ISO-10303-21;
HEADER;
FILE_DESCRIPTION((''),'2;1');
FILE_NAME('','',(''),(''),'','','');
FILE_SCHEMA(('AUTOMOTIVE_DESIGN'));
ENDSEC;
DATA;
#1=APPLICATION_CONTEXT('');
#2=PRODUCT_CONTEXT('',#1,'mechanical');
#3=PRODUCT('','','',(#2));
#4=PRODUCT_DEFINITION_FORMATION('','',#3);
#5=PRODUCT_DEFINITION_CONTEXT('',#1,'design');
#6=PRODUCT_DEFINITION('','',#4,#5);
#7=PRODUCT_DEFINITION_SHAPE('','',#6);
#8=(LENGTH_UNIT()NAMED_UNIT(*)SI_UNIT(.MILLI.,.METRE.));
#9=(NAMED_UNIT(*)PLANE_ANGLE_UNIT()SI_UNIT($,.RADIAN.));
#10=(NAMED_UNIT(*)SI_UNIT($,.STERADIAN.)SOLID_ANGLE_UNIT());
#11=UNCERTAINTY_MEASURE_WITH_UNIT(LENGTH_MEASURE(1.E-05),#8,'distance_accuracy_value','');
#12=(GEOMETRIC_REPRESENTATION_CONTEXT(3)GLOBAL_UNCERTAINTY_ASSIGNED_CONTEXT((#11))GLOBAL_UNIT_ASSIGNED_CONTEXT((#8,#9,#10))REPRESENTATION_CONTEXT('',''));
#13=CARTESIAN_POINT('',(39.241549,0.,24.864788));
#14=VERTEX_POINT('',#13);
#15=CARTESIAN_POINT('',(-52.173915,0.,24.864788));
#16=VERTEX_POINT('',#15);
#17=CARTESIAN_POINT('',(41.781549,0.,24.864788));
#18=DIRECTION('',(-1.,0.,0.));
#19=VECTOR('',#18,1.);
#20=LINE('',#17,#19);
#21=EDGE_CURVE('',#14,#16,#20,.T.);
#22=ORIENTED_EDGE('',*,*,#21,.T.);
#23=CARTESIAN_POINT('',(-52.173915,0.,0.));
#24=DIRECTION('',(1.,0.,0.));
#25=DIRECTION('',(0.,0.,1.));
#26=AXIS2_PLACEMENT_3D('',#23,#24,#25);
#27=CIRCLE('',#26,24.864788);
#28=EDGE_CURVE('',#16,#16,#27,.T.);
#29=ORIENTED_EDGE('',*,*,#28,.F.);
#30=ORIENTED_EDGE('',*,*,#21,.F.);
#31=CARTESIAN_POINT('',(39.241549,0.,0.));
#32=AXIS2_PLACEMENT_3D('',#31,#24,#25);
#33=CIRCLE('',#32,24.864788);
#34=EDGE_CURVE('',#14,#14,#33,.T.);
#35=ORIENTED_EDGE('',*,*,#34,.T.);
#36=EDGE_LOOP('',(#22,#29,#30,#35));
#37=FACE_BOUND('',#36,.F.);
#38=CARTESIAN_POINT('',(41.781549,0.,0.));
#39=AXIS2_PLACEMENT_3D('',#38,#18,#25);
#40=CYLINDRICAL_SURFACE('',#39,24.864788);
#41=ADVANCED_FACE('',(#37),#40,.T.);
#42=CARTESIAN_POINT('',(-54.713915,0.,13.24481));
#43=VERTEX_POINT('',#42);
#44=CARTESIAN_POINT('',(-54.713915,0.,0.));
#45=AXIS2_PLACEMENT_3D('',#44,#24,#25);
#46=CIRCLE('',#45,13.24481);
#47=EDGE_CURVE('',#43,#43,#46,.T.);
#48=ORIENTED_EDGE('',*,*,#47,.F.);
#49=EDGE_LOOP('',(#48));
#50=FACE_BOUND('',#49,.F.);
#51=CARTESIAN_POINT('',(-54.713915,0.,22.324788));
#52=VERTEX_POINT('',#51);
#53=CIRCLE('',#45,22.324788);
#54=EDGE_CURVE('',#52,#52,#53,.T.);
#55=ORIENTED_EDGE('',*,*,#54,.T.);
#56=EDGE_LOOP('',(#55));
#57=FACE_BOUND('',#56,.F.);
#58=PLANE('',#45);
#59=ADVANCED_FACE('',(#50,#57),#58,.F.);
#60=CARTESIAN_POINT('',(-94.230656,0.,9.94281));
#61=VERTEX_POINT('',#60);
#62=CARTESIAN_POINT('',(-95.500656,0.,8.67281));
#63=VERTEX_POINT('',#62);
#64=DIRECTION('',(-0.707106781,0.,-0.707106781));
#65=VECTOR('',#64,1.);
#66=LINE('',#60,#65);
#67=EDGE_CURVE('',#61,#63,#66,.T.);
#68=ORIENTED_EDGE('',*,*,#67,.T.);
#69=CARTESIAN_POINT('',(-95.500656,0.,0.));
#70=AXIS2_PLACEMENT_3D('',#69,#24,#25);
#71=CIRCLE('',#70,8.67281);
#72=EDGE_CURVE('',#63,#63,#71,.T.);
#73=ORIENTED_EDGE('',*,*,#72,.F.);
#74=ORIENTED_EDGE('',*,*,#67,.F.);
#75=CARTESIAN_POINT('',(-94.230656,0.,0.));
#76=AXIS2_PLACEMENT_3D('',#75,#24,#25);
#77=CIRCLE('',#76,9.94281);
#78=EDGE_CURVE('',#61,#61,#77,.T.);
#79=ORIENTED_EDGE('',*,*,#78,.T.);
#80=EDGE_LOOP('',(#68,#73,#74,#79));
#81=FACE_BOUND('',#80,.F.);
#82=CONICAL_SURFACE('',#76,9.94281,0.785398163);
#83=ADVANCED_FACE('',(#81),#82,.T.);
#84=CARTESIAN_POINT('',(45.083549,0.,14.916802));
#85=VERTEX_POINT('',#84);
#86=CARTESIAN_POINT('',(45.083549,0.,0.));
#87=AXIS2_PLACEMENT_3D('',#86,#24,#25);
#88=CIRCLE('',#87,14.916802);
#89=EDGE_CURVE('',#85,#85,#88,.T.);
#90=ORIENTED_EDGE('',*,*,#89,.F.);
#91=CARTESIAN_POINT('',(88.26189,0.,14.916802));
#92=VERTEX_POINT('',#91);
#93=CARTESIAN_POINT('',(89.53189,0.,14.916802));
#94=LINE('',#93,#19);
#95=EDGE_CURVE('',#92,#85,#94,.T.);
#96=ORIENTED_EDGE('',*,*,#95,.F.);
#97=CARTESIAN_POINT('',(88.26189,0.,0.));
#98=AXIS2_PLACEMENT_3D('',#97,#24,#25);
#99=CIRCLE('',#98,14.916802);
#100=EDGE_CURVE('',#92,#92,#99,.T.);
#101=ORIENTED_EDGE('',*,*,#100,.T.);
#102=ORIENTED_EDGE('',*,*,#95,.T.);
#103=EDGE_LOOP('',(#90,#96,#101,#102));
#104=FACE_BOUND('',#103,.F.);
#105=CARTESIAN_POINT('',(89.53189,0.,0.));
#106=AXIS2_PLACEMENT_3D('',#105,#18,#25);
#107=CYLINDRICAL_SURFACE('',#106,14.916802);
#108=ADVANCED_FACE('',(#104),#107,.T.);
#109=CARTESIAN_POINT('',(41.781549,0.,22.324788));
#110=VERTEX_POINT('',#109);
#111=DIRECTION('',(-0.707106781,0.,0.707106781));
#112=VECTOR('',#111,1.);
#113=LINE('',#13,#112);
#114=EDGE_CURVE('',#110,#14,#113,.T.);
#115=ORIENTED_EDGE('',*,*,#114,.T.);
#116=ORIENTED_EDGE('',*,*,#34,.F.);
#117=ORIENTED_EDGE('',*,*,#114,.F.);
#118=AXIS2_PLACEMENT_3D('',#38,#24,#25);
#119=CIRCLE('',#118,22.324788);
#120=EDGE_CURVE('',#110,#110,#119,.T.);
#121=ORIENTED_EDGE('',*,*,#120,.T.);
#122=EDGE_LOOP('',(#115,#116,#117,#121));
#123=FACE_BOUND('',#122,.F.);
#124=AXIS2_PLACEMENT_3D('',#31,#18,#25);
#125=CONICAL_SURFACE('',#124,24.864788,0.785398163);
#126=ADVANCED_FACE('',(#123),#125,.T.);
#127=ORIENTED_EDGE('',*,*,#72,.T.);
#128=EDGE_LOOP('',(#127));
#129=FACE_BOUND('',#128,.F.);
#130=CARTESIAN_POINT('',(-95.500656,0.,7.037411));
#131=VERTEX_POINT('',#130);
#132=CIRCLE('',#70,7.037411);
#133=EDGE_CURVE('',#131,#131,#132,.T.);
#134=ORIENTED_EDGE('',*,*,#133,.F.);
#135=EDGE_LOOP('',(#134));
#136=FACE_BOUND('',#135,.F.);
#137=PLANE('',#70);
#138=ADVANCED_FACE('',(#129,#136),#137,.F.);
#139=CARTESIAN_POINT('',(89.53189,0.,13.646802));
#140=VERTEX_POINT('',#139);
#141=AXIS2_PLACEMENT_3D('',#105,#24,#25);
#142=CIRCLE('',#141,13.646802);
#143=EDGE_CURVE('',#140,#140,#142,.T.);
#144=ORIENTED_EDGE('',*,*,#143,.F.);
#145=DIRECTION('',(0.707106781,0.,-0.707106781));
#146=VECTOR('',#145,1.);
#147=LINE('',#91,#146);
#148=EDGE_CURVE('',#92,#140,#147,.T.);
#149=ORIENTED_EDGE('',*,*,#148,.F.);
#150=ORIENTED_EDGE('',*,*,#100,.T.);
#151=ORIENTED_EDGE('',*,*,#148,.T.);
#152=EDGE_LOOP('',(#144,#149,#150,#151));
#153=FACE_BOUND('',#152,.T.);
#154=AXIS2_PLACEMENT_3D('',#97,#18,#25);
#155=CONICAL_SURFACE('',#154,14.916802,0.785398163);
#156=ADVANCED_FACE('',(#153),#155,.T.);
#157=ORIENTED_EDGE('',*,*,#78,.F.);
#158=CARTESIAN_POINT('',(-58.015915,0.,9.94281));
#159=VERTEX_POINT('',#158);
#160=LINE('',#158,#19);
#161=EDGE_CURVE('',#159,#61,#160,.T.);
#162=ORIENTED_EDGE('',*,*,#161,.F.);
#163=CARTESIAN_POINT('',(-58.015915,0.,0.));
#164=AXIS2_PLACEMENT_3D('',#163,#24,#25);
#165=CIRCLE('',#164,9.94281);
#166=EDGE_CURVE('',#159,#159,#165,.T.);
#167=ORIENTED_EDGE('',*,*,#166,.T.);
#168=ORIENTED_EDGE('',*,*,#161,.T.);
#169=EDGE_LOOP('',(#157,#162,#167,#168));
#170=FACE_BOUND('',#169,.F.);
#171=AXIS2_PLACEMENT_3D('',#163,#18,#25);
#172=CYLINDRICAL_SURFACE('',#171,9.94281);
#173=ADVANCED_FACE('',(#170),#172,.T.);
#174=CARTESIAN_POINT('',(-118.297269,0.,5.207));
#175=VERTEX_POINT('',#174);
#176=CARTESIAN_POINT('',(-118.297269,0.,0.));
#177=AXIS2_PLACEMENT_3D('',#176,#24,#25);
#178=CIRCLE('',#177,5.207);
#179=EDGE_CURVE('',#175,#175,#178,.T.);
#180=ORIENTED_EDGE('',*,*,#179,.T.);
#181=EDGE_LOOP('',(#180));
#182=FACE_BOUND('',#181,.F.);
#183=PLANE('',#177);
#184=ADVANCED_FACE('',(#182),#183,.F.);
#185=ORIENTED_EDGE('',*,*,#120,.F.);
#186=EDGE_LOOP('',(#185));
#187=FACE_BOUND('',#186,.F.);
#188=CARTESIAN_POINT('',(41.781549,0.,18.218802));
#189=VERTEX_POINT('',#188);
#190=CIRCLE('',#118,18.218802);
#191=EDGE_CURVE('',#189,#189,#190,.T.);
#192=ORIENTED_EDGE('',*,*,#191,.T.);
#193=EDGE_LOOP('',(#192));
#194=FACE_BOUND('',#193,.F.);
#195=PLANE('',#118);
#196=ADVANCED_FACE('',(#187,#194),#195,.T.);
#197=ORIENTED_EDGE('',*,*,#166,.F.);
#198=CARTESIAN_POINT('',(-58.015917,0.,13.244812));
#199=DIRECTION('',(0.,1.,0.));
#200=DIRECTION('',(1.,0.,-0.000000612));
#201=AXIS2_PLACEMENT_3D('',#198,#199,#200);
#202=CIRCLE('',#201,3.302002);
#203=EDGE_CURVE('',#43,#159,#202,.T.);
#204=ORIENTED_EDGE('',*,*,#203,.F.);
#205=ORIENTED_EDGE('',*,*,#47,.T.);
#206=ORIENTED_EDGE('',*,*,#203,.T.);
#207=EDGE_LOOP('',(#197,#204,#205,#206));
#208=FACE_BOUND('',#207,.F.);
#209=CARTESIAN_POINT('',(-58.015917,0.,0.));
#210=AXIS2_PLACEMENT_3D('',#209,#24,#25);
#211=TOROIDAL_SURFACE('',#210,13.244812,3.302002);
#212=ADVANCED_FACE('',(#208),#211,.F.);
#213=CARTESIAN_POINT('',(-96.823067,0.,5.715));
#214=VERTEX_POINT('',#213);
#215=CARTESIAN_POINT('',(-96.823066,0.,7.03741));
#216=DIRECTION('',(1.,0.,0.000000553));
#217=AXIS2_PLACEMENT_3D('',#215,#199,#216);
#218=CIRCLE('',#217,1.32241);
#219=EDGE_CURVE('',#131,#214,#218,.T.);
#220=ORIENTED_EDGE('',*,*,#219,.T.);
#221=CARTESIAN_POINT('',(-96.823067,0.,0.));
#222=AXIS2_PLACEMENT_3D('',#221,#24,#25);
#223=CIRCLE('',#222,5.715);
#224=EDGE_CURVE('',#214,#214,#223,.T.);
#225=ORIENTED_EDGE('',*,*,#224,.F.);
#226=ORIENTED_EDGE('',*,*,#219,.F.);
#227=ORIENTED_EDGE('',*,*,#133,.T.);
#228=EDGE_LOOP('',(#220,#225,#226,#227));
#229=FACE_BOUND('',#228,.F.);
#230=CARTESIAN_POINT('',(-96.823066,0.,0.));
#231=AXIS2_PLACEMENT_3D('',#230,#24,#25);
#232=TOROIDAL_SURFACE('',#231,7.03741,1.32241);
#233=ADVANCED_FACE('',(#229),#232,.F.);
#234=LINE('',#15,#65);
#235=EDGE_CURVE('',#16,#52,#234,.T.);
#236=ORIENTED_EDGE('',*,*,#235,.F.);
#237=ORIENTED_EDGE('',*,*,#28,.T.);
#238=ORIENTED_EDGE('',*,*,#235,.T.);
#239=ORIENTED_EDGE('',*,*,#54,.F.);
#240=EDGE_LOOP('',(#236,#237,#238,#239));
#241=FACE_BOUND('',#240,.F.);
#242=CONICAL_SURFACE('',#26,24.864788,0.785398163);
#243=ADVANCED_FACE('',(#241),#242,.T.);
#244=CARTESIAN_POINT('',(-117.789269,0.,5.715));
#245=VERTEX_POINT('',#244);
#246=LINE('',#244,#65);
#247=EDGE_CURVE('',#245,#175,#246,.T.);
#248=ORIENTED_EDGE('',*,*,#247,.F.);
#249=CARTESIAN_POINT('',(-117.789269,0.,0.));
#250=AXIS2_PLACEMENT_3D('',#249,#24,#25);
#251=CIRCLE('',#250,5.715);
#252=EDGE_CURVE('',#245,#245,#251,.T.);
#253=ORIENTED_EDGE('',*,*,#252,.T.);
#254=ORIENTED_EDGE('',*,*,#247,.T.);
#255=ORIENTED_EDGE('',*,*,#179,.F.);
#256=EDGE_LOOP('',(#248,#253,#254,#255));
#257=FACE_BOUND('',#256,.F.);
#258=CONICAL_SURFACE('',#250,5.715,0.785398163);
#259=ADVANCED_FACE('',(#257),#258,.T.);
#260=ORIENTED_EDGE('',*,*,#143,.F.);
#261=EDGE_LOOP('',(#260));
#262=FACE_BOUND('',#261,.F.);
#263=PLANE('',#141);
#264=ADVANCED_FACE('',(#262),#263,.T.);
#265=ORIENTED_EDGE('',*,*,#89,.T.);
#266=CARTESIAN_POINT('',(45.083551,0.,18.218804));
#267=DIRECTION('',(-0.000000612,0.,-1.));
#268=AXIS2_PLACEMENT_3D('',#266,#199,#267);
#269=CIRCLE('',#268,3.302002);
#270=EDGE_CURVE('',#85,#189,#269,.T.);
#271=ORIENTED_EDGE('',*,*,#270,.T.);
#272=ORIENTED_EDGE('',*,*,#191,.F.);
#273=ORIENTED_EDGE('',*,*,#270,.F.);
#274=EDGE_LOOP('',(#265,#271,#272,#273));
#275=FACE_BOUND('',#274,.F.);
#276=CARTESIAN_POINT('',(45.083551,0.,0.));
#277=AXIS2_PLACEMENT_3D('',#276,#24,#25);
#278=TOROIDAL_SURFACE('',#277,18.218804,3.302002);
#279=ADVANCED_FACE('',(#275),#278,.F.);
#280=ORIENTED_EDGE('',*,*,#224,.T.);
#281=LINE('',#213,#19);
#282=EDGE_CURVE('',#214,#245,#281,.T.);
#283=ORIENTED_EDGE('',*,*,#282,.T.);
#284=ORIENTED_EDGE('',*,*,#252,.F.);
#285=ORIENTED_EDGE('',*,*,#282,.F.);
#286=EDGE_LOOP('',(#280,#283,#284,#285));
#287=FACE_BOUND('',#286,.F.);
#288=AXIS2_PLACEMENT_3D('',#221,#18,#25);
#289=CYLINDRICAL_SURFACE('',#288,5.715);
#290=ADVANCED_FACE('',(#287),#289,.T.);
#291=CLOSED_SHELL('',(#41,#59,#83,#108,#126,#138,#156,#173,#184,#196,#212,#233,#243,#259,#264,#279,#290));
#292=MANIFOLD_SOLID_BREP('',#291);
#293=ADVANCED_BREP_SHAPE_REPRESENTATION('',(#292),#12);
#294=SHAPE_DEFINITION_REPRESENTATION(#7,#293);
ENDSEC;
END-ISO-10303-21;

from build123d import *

# Parameters (mm, degrees)
F2_SIZE = 2.54
F3_SIZE = 2.54
F4_SIZE = 1.27
F5_SIZE = 0.508
F6_SIZE = 1.27


with BuildPart() as f1:
    # F0 (on Front) → F1 (revolve)
    with BuildSketch(Plane.XZ):
        with BuildLine():
            Line((-58.015915, 9.94281), (-95.500656, 9.94281))
            Line((-95.500656, 9.94281), (-95.500656, 7.037411))
            ThreePointArc((-95.500656, 7.037411), (-95.887981, 6.102325), (-96.823067, 5.715))
            Line((-96.823067, 5.715), (-118.297269, 5.715))
            Line((-118.297269, 5.715), (-118.297269, 0))
            Line((-118.297269, 0), (89.53189, 0))
            Line((89.53189, 0), (89.53189, 14.916802))
            Line((89.53189, 14.916802), (45.083549, 14.916802))
            ThreePointArc((45.083549, 14.916802), (42.748683, 15.883936), (41.781549, 18.218802))
            Line((41.781549, 18.218802), (41.781549, 24.864788))
            Line((41.781549, 24.864788), (-54.713915, 24.864788))
            Line((-54.713915, 24.864788), (-54.713915, 13.24481))
            ThreePointArc((-54.713915, 13.24481), (-55.681049, 10.909944), (-58.015915, 9.94281))
        make_face()
    revolve(axis=Axis((-14.38269, 0, 0), (1, 0, 0)))

    # F2
    f2_edges = [f1.edges().sort_by_distance(p)[0] for p in [
        (41.781549, 0, -24.864788),
    ]]
    chamfer(f2_edges, length=F2_SIZE)

    # F3
    f3_edges = [f1.edges().sort_by_distance(p)[0] for p in [
        (-54.713915, 0, -24.864788),
    ]]
    chamfer(f3_edges, length=F3_SIZE)

    # F4
    f4_edges = [f1.edges().sort_by_distance(p)[0] for p in [
        (-95.500656, 0, -9.94281),
    ]]
    chamfer(f4_edges, length=F4_SIZE)

    # F5
    f5_edges = [f1.edges().sort_by_distance(p)[0] for p in [
        (-118.297269, 0, -5.715),
    ]]
    chamfer(f5_edges, length=F5_SIZE)

    # F6
    f6_edges = [f1.edges().sort_by_distance(p)[0] for p in [
        (89.53189, 0, -14.916802),
    ]]
    chamfer(f6_edges, length=F6_SIZE)


solid = f1.part
